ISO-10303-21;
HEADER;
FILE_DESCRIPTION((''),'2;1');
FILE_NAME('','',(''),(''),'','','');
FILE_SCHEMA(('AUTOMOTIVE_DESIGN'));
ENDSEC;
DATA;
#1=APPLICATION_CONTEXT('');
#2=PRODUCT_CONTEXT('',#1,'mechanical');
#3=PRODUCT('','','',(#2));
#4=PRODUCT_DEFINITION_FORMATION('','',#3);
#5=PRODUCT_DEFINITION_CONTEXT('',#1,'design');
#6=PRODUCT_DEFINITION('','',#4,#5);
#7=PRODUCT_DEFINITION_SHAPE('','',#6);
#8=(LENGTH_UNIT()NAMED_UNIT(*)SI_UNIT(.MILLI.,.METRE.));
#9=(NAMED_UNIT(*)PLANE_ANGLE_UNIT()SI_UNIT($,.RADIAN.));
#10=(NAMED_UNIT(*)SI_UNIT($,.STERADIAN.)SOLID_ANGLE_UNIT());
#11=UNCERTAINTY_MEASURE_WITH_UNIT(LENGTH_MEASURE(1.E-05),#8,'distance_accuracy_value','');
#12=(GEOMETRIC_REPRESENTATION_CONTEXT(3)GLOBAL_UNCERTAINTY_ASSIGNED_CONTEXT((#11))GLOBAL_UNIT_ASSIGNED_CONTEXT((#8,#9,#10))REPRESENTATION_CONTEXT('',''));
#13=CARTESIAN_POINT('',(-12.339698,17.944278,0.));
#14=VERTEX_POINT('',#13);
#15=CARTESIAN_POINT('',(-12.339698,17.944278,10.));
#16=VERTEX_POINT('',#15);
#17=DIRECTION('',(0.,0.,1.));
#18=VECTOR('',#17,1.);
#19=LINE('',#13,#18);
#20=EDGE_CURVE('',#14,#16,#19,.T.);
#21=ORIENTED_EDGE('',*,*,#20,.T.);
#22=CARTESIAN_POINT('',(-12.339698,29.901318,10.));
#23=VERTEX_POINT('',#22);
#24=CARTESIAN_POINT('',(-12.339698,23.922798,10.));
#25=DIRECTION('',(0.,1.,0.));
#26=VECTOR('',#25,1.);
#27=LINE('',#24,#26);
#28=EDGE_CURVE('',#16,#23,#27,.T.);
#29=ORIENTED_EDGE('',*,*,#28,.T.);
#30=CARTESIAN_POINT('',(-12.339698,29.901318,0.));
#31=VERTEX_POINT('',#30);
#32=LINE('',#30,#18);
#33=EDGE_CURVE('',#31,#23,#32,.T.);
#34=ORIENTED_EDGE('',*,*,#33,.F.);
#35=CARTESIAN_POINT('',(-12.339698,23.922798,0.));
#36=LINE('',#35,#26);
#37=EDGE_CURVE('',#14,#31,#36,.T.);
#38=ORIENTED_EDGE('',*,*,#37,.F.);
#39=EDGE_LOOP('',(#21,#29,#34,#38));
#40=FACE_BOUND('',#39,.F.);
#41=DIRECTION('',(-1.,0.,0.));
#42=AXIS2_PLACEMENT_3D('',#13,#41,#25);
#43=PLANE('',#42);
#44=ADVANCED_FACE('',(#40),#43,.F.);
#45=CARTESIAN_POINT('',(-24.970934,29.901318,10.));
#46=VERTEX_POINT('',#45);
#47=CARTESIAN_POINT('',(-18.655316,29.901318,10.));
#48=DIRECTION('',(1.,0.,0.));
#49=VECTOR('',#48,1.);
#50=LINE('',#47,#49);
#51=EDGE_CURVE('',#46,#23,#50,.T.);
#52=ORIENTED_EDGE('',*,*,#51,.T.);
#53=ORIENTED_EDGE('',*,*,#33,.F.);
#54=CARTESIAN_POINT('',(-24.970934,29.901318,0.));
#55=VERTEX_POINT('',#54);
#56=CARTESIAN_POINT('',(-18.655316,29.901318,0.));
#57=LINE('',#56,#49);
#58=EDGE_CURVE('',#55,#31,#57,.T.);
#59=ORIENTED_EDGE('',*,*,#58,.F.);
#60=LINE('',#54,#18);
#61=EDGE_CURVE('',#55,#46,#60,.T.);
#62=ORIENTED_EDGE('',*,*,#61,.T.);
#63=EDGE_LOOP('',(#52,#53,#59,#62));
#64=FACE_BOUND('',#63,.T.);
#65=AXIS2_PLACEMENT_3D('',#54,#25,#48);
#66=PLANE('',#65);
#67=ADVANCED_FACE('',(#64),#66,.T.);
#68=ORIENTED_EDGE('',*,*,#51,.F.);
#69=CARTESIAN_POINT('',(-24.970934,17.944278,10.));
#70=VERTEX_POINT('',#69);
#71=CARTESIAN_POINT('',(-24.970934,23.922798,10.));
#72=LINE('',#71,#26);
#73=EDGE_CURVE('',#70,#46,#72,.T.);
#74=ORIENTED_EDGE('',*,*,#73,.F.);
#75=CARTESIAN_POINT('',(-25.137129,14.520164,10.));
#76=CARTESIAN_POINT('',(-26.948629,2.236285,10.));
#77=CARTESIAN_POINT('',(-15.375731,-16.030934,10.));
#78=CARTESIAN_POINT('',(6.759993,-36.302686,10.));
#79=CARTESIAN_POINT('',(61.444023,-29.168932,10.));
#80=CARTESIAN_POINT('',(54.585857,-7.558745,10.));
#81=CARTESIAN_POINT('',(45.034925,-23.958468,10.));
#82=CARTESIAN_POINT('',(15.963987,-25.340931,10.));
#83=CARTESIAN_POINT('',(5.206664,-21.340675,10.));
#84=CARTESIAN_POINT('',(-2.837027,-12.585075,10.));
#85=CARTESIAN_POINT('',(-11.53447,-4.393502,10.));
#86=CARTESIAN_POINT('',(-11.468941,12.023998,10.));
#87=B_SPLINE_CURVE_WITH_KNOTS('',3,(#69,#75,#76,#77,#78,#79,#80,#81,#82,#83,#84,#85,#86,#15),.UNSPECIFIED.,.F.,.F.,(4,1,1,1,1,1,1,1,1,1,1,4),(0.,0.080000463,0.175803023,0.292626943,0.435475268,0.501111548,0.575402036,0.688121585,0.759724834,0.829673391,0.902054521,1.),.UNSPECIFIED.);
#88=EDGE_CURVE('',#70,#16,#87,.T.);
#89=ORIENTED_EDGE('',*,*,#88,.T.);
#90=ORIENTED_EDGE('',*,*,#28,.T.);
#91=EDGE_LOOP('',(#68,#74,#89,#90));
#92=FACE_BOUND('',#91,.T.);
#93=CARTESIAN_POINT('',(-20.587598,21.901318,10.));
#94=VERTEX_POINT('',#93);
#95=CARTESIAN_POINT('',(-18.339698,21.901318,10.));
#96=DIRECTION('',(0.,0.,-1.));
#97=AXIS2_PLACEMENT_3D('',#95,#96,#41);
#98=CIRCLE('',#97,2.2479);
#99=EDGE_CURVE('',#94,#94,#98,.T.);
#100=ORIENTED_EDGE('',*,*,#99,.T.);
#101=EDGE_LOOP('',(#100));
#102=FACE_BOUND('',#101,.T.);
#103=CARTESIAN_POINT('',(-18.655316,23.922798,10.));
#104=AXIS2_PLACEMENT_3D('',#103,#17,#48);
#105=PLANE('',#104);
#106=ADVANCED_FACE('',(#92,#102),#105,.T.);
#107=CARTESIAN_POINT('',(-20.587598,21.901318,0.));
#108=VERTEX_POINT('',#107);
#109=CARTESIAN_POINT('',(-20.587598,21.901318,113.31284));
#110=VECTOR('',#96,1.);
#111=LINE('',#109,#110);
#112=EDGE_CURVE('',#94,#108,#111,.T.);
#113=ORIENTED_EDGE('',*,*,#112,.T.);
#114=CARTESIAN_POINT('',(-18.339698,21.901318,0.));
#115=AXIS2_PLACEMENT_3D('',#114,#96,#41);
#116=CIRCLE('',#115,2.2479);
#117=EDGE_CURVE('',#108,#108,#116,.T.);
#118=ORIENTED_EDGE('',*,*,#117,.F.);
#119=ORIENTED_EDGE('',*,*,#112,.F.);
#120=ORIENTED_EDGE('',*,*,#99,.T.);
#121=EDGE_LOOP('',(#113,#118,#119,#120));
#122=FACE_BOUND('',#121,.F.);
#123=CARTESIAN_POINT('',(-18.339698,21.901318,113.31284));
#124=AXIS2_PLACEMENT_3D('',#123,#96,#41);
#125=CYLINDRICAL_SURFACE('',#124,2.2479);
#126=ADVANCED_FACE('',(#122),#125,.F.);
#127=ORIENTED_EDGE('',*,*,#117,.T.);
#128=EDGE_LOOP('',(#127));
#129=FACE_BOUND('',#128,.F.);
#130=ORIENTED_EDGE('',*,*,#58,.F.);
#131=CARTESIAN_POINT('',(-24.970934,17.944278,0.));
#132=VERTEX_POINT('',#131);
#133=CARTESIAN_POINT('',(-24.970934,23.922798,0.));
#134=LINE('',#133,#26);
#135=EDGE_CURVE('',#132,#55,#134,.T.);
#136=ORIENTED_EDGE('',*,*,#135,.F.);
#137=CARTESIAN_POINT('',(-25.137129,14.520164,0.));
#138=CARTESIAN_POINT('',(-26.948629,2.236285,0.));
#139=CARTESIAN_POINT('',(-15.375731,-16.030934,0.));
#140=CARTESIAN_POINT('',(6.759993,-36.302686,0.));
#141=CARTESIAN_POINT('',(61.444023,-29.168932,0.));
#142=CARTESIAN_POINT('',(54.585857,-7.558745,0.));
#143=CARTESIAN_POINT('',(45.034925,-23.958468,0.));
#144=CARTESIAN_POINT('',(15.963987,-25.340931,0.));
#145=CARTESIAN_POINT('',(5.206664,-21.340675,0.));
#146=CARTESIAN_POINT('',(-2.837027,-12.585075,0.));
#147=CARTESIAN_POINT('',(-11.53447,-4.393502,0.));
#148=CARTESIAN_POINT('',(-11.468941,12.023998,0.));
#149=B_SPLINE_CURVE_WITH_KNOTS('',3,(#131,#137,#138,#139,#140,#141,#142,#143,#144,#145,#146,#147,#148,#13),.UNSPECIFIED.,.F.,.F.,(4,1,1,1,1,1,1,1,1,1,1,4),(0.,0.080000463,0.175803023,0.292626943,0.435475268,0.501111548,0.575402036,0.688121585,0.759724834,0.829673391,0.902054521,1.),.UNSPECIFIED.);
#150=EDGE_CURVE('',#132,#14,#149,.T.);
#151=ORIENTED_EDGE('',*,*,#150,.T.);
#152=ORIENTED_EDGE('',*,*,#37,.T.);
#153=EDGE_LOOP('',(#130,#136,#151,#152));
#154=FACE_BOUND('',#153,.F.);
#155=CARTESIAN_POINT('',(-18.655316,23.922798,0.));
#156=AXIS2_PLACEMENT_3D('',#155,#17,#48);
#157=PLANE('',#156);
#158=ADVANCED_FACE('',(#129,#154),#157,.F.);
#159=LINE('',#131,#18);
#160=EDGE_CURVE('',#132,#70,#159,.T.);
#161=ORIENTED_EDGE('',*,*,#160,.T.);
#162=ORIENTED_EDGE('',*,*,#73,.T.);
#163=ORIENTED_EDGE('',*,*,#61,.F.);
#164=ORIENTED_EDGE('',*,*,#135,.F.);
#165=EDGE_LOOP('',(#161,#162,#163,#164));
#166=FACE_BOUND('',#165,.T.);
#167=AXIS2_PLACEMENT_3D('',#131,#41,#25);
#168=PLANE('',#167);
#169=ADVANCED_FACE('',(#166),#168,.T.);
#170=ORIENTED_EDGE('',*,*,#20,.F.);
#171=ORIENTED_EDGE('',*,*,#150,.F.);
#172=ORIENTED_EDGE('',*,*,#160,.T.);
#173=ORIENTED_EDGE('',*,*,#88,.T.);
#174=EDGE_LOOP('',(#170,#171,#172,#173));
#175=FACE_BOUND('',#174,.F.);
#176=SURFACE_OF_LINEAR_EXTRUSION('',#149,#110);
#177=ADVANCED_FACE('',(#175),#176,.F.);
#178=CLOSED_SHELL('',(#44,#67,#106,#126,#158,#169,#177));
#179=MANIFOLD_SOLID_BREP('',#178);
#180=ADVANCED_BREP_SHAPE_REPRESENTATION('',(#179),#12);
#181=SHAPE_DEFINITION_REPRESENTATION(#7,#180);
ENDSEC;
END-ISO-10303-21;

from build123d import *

# Parameters (mm, degrees)
F0_W     = 12.6312362875
F0_H     = 11.9570397706
F1_DEPTH = 10
F3_D     = 4.4958


with BuildPart() as f1:
    # F0 (on Top) → F1 (new body)
    with BuildSketch(Plane.XY):
        with Locations((-18.6553156512, 23.9227983668)):
            Rectangle(F0_W, F0_H)
        with BuildLine():
            Line((-12.3396975074, 17.9442784815), (-24.970933795, 17.9442784815))
            add(Edge.make_bspline(
                [(-24.970933795, 17.9442784815), (-25.1371291893, 14.5201641041), (-26.9486293796, 2.2362853478), (-15.3757309811, -16.0309344014), (6.7599933476, -36.3026863179), (61.4440225817, -29.1689321437), (54.585857408, -7.5587452256), (45.0349249128, -23.9584677848), (15.9639871325, -25.340930977), (5.2066637171, -21.3406746899), (-2.8370266591, -12.5850754048), (-11.5344699711, -4.3935021743), (-11.4689410184, 12.0239981701), (-12.3396975074, 17.9442784815)],
                knots=[0, 0, 0, 0, 0.0800004633, 0.1758030232, 0.2926269433, 0.4354752681, 0.5011115477, 0.5754020355, 0.6881215848, 0.7597248342, 0.8296733911, 0.9020545209, 1, 1, 1, 1], degree=3))
        make_face()
    extrude(amount=F1_DEPTH)

    # F3 (through all)
    with Locations(Plane.XY.offset(10)):
        with Locations((-18.3396975074, 21.9013182521)):
            Hole(F3_D / 2)


solid = f1.part
